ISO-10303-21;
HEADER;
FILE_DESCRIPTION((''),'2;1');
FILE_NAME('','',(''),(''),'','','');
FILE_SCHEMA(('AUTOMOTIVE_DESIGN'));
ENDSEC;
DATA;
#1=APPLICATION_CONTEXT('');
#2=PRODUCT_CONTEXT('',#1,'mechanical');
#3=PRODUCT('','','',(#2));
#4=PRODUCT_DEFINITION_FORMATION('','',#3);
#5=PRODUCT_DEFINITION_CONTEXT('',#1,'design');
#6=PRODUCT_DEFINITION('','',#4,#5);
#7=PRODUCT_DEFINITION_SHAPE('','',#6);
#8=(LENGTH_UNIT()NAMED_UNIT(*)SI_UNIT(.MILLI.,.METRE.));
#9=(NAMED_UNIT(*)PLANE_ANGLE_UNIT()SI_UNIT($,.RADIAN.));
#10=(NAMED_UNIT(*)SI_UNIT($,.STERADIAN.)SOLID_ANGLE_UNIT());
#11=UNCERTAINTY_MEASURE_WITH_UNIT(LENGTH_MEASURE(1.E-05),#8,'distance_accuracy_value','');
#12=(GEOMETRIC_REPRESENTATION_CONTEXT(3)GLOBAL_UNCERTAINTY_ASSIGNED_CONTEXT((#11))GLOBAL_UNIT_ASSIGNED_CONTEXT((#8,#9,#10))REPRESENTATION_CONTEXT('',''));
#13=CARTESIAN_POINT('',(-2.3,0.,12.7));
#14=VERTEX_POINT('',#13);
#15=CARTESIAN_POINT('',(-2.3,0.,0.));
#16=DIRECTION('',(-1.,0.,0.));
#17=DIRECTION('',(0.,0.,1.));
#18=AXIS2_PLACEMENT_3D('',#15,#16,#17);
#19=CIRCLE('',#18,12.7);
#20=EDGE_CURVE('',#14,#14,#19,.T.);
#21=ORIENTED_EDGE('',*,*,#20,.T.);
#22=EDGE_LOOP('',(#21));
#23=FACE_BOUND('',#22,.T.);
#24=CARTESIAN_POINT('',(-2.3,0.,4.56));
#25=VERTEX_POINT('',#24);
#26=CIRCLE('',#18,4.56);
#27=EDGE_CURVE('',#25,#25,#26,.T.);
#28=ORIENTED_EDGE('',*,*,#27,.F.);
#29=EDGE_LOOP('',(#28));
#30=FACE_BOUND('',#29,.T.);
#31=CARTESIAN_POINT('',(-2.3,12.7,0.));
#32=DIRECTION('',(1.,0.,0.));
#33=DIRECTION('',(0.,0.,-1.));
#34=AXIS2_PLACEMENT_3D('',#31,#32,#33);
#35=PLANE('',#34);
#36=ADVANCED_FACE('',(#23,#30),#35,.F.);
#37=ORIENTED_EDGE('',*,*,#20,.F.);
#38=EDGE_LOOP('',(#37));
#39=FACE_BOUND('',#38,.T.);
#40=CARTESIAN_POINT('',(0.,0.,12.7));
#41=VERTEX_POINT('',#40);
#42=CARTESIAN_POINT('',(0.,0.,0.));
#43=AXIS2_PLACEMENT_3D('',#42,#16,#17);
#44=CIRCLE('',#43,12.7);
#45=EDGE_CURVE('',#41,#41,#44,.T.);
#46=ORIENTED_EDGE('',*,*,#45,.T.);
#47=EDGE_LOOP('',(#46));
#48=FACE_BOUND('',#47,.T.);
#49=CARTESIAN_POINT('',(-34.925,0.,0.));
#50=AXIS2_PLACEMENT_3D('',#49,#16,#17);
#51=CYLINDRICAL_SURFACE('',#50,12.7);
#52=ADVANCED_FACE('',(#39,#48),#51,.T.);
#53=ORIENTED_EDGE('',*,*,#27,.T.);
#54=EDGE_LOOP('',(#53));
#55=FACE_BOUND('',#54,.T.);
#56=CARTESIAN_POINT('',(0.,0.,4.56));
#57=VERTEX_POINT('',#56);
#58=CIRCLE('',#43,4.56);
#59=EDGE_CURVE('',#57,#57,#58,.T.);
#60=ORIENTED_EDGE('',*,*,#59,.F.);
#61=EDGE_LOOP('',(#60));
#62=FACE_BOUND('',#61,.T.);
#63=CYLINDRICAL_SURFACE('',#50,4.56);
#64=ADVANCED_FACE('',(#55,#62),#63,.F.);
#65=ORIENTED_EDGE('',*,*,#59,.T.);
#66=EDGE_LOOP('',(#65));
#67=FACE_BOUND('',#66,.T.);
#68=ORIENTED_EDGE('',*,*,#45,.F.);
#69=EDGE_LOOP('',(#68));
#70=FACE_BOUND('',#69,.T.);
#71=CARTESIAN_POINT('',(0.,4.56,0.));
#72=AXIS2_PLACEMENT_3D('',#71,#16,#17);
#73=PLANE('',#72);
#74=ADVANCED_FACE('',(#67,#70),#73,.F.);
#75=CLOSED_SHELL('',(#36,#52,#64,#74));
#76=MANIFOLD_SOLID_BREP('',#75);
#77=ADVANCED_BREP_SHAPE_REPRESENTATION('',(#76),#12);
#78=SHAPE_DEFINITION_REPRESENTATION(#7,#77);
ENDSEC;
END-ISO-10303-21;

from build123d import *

# Parameters (mm, degrees)
SKETCH1_W = 2.3
SKETCH1_H = 8.14


with BuildPart() as part:
    # Sketch1 → Base-Revolve (revolve)
    with BuildSketch(Plane.XY):
        with Locations((-1.15, 8.63)):
            Rectangle(SKETCH1_W, SKETCH1_H)
    revolve(axis=Axis((-34.925, 0, 0), (1, 0, 0)))


solid = part.part
